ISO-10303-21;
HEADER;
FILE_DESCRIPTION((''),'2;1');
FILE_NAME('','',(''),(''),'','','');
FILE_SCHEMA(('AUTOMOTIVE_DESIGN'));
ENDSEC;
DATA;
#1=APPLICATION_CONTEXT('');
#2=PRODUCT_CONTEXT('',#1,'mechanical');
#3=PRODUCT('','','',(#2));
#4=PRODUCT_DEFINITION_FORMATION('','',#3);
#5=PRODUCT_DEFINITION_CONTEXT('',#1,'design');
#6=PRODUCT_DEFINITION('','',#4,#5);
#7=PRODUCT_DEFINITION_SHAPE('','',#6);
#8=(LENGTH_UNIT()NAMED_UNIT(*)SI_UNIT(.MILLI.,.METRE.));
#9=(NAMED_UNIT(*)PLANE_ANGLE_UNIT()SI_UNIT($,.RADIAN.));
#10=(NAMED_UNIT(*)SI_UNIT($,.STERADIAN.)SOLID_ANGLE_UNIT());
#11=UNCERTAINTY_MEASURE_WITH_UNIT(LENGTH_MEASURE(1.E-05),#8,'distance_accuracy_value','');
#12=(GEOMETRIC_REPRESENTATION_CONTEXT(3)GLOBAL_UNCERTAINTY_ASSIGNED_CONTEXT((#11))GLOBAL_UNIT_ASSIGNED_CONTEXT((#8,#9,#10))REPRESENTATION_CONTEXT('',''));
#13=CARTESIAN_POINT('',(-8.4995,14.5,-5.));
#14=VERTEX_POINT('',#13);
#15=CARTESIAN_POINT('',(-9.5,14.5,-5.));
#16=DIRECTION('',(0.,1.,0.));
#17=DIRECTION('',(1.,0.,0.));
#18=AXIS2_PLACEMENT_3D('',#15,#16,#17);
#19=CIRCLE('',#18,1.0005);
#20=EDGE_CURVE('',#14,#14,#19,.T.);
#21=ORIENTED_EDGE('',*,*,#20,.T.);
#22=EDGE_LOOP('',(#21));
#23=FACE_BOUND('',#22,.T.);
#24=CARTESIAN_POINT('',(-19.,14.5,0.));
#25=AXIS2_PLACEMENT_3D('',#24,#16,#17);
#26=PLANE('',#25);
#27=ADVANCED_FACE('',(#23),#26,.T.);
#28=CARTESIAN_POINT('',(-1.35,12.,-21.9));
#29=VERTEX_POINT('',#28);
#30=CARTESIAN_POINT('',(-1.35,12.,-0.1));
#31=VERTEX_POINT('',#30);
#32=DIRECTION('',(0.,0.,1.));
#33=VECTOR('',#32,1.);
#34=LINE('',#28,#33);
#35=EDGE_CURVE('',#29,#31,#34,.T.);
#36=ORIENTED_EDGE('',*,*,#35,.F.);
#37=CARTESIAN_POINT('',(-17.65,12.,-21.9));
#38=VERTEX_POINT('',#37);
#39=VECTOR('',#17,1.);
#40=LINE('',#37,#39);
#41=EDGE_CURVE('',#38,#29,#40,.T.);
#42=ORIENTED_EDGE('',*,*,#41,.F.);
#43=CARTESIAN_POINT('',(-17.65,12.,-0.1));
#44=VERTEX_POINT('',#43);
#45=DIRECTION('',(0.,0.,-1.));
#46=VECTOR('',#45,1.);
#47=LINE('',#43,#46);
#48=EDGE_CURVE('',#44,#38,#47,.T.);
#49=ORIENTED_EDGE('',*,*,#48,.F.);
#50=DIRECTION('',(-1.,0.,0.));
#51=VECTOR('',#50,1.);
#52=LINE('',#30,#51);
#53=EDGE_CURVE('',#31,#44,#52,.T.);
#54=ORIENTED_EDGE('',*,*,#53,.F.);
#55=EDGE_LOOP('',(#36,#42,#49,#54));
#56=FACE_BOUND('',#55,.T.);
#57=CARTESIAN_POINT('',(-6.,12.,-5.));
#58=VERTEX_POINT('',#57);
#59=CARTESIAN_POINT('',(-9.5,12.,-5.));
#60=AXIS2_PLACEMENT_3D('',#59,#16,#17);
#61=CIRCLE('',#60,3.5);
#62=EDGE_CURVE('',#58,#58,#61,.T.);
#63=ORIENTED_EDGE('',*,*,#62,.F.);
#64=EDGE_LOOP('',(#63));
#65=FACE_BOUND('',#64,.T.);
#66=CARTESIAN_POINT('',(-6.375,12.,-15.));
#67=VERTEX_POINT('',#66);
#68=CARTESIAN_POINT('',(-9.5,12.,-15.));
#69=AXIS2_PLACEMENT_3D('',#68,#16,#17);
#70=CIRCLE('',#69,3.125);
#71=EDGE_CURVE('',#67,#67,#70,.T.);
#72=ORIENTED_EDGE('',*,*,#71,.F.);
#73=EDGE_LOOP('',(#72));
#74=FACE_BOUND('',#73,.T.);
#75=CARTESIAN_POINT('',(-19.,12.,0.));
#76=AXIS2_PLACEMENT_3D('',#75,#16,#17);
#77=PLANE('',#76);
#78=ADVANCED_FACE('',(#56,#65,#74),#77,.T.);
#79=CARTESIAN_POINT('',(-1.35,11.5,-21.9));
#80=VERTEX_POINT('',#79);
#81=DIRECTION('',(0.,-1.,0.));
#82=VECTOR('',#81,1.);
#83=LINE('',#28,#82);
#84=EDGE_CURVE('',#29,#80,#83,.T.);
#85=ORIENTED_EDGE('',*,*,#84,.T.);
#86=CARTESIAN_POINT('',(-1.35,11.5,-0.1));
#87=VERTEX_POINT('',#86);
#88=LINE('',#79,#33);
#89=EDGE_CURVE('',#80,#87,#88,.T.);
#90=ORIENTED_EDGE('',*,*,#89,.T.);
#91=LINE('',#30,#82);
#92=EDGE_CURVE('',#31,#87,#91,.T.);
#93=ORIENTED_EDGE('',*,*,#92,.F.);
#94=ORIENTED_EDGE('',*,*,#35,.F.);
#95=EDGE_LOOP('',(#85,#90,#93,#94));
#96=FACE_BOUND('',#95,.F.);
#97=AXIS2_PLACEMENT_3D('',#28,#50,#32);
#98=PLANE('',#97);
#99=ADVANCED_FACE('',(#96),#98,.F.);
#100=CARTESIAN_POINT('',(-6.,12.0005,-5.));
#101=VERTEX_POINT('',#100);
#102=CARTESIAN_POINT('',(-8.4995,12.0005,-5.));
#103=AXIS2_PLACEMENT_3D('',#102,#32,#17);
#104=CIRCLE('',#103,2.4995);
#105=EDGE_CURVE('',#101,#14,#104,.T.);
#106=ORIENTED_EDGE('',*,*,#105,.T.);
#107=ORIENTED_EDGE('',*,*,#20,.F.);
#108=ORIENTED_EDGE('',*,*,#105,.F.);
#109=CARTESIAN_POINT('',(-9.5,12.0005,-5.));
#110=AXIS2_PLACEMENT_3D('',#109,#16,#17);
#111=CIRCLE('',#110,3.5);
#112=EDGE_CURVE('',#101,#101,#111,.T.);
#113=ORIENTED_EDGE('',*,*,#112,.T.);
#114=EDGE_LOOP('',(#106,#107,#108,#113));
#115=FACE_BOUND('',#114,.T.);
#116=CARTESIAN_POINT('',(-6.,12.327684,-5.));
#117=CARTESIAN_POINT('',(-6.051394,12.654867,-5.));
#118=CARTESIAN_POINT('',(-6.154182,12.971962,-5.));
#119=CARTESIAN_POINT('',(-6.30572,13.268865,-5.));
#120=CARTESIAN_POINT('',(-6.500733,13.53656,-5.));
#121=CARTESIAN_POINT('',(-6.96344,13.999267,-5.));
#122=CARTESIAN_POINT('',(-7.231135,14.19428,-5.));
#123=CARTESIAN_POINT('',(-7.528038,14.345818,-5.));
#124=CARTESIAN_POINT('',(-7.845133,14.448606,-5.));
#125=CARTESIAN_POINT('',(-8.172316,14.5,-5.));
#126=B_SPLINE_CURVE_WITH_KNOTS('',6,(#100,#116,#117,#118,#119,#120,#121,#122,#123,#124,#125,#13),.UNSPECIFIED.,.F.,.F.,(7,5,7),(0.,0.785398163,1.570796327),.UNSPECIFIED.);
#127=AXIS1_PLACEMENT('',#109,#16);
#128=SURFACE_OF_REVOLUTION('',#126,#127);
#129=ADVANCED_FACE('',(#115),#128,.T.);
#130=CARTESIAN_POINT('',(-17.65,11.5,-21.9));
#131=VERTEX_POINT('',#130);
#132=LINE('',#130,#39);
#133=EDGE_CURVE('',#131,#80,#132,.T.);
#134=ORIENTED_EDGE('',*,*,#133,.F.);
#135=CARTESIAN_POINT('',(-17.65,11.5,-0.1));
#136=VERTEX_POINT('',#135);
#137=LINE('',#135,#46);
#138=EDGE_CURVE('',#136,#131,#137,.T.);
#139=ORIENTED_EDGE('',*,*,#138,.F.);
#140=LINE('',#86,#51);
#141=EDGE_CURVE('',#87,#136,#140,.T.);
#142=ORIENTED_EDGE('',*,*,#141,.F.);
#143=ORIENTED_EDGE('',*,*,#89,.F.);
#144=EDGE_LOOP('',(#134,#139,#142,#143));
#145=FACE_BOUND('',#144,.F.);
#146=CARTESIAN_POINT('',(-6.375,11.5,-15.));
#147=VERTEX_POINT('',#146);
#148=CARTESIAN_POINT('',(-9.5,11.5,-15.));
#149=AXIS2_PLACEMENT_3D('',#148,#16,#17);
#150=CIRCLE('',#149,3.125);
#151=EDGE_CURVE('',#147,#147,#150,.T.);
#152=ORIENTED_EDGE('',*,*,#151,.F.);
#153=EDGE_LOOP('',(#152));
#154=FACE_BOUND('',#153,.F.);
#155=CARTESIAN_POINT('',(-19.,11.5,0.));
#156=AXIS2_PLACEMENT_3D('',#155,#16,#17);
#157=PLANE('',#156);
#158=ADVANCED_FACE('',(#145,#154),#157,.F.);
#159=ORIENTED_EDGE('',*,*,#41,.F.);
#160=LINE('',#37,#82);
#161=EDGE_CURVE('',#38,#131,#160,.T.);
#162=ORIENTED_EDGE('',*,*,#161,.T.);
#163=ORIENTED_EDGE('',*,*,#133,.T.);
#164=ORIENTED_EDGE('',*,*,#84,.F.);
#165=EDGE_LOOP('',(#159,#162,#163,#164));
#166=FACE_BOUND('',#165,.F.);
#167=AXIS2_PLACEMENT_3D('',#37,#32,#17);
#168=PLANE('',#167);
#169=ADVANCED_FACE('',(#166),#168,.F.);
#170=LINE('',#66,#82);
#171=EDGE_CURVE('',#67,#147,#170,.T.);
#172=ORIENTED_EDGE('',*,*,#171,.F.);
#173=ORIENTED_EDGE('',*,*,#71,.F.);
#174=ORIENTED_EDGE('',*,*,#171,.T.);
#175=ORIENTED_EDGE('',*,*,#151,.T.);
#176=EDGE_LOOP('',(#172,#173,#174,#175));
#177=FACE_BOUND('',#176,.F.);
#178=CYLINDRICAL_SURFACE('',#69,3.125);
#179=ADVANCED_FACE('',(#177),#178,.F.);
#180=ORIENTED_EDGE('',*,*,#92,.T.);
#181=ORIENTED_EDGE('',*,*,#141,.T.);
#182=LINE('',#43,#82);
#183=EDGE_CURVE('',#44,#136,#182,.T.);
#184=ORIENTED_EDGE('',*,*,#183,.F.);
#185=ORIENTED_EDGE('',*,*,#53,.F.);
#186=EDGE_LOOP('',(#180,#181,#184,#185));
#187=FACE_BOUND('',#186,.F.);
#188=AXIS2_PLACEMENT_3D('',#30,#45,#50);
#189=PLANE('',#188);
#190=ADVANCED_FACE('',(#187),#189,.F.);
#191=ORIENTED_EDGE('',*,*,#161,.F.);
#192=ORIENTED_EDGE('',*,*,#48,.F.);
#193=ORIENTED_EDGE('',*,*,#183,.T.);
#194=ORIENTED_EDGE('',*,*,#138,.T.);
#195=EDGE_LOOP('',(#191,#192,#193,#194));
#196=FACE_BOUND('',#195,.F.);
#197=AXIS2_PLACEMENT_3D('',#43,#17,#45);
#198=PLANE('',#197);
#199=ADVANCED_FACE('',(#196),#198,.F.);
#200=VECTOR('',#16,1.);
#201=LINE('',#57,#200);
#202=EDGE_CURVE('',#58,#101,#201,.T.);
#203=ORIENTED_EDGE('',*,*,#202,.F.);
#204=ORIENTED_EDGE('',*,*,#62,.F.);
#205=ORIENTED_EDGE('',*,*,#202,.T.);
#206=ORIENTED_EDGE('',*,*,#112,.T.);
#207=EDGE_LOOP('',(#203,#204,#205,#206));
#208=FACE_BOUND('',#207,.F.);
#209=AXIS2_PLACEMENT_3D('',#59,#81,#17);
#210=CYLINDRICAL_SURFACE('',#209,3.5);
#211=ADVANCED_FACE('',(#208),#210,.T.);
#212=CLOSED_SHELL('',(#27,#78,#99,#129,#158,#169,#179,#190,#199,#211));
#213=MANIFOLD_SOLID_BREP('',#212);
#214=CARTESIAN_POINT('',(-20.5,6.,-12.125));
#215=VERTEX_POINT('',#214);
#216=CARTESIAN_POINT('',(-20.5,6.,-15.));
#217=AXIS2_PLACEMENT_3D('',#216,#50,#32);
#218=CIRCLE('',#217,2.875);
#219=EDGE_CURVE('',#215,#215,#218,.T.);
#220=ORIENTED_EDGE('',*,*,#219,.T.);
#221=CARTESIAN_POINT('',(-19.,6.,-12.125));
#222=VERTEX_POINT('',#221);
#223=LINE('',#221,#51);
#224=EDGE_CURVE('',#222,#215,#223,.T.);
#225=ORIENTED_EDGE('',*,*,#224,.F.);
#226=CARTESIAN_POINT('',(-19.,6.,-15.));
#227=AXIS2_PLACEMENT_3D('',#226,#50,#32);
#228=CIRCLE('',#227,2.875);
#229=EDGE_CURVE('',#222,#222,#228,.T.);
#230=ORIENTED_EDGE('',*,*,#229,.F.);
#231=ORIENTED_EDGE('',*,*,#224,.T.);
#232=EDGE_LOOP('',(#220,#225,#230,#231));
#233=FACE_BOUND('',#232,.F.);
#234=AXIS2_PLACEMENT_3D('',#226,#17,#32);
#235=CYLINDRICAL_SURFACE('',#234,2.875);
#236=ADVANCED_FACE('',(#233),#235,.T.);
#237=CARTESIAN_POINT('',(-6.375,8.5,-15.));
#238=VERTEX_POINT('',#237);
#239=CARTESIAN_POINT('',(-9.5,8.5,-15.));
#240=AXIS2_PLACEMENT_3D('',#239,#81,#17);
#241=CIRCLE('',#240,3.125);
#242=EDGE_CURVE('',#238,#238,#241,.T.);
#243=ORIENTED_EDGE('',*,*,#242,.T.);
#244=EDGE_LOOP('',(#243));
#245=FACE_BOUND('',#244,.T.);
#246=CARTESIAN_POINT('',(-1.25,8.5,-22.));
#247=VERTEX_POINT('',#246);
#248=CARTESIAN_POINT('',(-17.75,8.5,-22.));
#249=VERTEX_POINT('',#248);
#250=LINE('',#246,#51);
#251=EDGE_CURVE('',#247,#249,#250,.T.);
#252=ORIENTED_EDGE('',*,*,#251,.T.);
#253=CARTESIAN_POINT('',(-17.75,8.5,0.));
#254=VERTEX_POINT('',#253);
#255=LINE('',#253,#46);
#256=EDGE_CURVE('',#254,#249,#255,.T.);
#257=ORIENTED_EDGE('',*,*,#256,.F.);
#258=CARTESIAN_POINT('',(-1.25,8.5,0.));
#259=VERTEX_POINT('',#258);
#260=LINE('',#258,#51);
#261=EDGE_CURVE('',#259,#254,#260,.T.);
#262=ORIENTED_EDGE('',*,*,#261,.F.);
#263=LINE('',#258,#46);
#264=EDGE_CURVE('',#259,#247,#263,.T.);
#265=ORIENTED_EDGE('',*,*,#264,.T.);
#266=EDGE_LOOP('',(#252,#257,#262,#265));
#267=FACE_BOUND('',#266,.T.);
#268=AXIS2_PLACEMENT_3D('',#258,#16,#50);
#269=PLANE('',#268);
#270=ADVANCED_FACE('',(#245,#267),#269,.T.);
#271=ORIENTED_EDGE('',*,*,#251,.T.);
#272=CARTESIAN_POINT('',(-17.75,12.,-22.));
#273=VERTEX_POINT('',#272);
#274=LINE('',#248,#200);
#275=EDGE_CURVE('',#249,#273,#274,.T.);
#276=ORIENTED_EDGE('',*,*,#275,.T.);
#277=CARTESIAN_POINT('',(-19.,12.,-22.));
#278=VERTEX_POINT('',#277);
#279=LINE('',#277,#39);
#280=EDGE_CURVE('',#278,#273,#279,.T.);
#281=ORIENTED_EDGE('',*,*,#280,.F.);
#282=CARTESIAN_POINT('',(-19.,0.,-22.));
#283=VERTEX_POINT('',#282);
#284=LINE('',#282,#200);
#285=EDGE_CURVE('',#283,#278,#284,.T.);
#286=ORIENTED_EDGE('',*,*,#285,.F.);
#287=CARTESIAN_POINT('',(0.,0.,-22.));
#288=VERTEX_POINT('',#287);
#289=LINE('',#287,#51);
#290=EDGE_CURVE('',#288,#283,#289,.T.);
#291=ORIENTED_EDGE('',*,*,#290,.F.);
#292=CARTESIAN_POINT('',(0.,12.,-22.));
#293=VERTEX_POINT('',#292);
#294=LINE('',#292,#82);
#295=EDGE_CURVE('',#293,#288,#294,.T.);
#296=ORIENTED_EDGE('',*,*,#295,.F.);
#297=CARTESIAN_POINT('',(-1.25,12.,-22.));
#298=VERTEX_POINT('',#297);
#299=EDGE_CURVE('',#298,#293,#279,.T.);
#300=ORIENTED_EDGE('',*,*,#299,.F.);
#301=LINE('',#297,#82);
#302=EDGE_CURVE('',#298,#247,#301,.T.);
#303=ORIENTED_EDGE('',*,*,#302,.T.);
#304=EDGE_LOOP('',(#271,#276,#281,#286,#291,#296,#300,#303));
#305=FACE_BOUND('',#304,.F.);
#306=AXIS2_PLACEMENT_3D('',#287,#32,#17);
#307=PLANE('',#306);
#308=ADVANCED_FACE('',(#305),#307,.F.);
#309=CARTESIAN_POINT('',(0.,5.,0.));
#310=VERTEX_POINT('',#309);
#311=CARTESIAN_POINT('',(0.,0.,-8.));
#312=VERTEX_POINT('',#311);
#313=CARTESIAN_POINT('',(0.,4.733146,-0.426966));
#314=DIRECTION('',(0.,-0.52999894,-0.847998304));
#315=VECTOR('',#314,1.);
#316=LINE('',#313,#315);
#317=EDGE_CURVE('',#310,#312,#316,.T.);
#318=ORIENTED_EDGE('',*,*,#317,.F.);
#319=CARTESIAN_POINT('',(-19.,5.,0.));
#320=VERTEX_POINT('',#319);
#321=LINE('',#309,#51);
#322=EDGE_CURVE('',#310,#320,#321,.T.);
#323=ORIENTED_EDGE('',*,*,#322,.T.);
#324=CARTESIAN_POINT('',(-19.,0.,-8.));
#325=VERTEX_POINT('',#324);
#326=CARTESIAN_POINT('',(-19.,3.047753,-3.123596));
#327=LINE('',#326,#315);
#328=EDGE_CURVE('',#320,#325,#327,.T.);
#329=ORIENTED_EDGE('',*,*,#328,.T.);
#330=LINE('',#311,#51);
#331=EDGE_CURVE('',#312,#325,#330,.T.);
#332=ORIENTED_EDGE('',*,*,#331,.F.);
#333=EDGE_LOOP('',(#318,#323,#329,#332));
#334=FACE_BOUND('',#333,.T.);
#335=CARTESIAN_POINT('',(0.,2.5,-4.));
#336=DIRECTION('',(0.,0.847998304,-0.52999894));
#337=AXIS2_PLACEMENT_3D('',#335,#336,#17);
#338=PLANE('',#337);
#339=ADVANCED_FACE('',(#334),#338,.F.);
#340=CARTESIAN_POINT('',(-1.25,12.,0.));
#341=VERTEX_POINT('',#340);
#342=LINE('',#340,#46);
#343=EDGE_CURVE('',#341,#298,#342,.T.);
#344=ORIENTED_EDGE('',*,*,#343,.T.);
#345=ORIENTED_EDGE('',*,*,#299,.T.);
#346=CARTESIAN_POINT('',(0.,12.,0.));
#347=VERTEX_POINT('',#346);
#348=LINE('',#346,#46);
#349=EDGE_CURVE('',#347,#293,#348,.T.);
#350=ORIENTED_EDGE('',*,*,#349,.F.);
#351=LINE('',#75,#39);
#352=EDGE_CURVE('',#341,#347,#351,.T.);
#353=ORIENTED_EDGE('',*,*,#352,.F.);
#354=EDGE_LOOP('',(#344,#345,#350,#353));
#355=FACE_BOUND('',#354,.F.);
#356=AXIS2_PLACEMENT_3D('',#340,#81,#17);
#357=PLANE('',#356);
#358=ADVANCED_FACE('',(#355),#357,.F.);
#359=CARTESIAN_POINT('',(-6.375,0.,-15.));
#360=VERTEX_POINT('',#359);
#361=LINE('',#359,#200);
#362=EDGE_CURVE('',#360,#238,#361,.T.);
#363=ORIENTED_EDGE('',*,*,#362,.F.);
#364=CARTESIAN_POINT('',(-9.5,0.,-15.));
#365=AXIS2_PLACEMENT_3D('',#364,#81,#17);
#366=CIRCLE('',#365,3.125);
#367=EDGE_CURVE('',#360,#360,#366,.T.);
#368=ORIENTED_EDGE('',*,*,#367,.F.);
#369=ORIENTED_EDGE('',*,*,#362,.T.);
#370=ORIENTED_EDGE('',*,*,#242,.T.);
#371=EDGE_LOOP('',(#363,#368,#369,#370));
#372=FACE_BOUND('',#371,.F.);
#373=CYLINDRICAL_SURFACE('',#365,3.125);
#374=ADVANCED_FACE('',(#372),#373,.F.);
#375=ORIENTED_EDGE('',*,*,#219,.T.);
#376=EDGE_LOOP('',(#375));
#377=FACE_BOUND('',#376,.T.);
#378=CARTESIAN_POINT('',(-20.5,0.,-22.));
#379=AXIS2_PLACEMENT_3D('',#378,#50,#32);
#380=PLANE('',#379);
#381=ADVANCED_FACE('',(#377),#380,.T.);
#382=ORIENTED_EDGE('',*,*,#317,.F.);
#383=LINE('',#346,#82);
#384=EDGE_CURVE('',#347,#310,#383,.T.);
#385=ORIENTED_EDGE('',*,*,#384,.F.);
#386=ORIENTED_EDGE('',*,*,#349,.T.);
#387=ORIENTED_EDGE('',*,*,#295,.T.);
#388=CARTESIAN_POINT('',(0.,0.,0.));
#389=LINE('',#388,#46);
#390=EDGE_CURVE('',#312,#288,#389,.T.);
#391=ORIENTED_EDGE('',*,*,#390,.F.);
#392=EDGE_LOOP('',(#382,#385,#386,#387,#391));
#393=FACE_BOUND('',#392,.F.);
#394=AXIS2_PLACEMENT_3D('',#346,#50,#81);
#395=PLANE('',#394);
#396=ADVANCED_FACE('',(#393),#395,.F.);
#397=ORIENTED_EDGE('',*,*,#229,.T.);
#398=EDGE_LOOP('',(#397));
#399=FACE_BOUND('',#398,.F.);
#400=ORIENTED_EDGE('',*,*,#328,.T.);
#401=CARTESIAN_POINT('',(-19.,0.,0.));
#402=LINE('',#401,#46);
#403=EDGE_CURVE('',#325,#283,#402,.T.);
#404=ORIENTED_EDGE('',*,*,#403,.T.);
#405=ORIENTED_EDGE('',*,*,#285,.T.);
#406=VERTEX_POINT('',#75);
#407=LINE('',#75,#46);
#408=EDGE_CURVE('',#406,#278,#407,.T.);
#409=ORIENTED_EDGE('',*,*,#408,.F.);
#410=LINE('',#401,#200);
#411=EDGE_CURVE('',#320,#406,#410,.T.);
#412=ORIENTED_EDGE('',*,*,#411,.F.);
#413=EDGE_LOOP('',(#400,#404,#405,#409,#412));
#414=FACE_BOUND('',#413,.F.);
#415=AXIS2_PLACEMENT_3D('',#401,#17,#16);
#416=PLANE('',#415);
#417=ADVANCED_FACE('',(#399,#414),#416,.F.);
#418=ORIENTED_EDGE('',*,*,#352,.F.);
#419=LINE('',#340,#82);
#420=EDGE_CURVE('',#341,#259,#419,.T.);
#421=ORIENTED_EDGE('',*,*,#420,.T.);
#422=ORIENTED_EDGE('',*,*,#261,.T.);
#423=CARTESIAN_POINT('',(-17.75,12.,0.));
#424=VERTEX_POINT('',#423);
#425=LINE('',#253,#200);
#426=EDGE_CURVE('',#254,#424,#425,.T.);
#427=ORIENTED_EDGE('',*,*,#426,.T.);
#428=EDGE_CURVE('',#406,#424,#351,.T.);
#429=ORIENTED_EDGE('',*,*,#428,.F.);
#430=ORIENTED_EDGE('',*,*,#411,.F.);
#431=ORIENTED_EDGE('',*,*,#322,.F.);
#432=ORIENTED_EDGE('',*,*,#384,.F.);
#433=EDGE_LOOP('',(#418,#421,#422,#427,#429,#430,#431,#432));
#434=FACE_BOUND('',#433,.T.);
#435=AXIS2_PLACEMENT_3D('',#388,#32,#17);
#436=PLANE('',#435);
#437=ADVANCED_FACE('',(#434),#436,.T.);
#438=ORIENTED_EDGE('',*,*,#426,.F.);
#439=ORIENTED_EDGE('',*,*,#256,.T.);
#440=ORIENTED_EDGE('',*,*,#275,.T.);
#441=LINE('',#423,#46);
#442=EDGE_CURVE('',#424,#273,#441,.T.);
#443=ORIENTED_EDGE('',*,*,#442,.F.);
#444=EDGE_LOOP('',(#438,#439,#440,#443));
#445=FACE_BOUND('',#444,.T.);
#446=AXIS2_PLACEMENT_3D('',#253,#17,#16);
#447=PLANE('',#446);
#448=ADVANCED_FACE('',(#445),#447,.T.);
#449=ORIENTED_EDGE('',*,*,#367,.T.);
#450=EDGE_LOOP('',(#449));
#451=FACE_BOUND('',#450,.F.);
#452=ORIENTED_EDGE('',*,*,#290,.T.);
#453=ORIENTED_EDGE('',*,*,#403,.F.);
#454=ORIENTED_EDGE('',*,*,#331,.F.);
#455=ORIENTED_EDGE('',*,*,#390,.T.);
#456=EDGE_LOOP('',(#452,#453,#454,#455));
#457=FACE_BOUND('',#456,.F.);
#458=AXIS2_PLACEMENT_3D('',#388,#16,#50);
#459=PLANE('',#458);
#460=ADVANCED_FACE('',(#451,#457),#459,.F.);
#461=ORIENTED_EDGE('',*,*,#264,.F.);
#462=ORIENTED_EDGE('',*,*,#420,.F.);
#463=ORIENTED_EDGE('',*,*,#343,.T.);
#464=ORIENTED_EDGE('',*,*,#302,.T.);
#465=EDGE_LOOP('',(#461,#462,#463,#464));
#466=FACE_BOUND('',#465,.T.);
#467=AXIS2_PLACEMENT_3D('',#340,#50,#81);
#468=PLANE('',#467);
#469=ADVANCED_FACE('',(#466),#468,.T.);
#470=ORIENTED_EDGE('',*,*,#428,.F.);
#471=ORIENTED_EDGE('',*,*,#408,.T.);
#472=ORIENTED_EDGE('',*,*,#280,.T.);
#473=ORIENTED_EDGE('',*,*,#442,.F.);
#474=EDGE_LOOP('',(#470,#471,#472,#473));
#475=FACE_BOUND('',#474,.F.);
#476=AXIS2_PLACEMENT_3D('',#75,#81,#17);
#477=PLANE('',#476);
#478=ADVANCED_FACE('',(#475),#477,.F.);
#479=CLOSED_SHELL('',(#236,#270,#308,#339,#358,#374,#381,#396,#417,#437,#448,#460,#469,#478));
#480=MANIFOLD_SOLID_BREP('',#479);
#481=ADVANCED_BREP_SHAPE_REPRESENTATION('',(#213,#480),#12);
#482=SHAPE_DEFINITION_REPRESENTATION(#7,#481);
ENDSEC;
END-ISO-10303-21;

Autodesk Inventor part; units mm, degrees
ref_plane "YZ Plane" through (0, 0, 0) normal (1, 0, 0) x (0, 1, 0)
ref_plane "XZ Plane" through (0, 0, 0) normal (0, 1, 0) x (-1, 0, 0)
ref_plane "XY Plane" through (0, 0, 0) normal (0, 0, 1) x (1, 0, 0)
sketch "Sketch1" plane through (0, 0, 0) normal (0, 0, 1) x (1, 0, 0)
  line L0 (0, 0) -> (-19, 0)
  line L1 (-19, 0) -> (-19, 12)
  line L2 (-19, 12) -> (0, 12)
  line L3 (0, 12) -> (0, 0)
  line L4 (-17.75, 12) -> (-1.25, 12)
  line L5 (-1.25, 12) -> (-1.25, 8.5)
  line L6 (-1.25, 8.5) -> (-17.75, 8.5)
  line L7 (-17.75, 8.5) -> (-17.75, 12)
  point P0 (-1.25, 12)
  dimension "d0" = 19
  dimension "d1" = 12
  dimension "d2" = 16.5
  dimension "d3" = 3.5
  dimension "d4" = 1.25
extrude "Extrusion1" add sketch "Sketch1" against normal blind 22 contours L0 L1 L2 L7 L6 L5 L3
chamfer "Chamfer1" distance 5 distance2 8 1 edges at (-9.5, 0, 0) measured on face at (-6.75, 2.8333, 0)
sketch "Sketch2" plane through (-19, 0, -22) normal (0, -1, 0) x (1, 0, 0)
  line L0 (0, 14) -> (19, 14) construction
  line L1 (9.5, 14) -> (9.5, 0) construction
  line L2 (1.25, 0) -> (17.75, 0) construction
  circle A0 centre (9.5, 7) radius 3.125
  point P0 (19, 22)
  dimension "d10" = 6.25
extrude "Extrusion2" cut sketch "Sketch2" against normal up to next
sketch "Sketch3" plane through (-19, 12, 0) normal (0, 1, 0) x (1, 0, 0)
  circle A0 centre (9.5, 15) radius 3.125 projected
  line L0 (17.75, 0) -> (1.25, 0) projected
  line L1 (17.75, 0) -> (17.75, 22) projected
  line L2 (1.25, 22) -> (17.75, 22) projected
  line L3 (1.25, 0) -> (1.25, 22) projected
  line L4 (1.35, 21.9) -> (17.65, 21.9)
  line L5 (17.65, 21.9) -> (17.65, 0.1)
  line L6 (17.65, 0.1) -> (1.35, 0.1)
  line L7 (1.35, 0.1) -> (1.35, 21.9)
  point P0 (19, 0)
  dimension "d13" = 0.1
extrude "Extrusion3" add sketch "Sketch3" against normal blind 0.5 contours L4 L5 L6 L7
sketch "Sketch4" plane through (-19, 12, 0) normal (0, 1, 0) x (1, 0, 0)
  line L0 (17.65, 0.1) -> (1.35, 0.1) construction
  line L1 (9.5, 0.1) -> (9.5, 21.9) construction
  line L2 (17.65, 21.9) -> (1.35, 21.9) construction
  circle A0 centre (9.5, 5) radius 3.5
  circle A1 centre (9.5, 15) radius 3.125 projected
  point P0 (19, 0)
  dimension "d16" = 7
  dimension "d17" = 10
extrude "Extrusion4" add sketch "Sketch4" along normal blind 2.5 contours A0
fillet "Fillet1" radius 2.5 1 edges at (-13, 14.5, -5)
sketch "Sketch5" plane through (-19, 0, -22) normal (-1, 0, 0) x (0, 0, 1)
  line L0 (7, 12) -> (7, 0) construction
  line L1 (22, 5) -> (14, 0) construction
  line L2 (22, 12) -> (22, 5) construction
  line L3 (22, 12) -> (0, 12) construction
  line L4 (0, 0) -> (0, 12) construction
  line L5 (14, 0) -> (0, 0) construction
  circle A0 centre (7, 6) radius 2.875
  point P0 (22, 0)
  dimension "d21" = 5.75
extrude "Extrusion5" add sketch "Sketch5" along normal blind 1.5
equation "\"d4\" = -0.5 * d2 + 0.5 * d0"
properties part number "High Voltage Limit Switch Arm Coupler"
